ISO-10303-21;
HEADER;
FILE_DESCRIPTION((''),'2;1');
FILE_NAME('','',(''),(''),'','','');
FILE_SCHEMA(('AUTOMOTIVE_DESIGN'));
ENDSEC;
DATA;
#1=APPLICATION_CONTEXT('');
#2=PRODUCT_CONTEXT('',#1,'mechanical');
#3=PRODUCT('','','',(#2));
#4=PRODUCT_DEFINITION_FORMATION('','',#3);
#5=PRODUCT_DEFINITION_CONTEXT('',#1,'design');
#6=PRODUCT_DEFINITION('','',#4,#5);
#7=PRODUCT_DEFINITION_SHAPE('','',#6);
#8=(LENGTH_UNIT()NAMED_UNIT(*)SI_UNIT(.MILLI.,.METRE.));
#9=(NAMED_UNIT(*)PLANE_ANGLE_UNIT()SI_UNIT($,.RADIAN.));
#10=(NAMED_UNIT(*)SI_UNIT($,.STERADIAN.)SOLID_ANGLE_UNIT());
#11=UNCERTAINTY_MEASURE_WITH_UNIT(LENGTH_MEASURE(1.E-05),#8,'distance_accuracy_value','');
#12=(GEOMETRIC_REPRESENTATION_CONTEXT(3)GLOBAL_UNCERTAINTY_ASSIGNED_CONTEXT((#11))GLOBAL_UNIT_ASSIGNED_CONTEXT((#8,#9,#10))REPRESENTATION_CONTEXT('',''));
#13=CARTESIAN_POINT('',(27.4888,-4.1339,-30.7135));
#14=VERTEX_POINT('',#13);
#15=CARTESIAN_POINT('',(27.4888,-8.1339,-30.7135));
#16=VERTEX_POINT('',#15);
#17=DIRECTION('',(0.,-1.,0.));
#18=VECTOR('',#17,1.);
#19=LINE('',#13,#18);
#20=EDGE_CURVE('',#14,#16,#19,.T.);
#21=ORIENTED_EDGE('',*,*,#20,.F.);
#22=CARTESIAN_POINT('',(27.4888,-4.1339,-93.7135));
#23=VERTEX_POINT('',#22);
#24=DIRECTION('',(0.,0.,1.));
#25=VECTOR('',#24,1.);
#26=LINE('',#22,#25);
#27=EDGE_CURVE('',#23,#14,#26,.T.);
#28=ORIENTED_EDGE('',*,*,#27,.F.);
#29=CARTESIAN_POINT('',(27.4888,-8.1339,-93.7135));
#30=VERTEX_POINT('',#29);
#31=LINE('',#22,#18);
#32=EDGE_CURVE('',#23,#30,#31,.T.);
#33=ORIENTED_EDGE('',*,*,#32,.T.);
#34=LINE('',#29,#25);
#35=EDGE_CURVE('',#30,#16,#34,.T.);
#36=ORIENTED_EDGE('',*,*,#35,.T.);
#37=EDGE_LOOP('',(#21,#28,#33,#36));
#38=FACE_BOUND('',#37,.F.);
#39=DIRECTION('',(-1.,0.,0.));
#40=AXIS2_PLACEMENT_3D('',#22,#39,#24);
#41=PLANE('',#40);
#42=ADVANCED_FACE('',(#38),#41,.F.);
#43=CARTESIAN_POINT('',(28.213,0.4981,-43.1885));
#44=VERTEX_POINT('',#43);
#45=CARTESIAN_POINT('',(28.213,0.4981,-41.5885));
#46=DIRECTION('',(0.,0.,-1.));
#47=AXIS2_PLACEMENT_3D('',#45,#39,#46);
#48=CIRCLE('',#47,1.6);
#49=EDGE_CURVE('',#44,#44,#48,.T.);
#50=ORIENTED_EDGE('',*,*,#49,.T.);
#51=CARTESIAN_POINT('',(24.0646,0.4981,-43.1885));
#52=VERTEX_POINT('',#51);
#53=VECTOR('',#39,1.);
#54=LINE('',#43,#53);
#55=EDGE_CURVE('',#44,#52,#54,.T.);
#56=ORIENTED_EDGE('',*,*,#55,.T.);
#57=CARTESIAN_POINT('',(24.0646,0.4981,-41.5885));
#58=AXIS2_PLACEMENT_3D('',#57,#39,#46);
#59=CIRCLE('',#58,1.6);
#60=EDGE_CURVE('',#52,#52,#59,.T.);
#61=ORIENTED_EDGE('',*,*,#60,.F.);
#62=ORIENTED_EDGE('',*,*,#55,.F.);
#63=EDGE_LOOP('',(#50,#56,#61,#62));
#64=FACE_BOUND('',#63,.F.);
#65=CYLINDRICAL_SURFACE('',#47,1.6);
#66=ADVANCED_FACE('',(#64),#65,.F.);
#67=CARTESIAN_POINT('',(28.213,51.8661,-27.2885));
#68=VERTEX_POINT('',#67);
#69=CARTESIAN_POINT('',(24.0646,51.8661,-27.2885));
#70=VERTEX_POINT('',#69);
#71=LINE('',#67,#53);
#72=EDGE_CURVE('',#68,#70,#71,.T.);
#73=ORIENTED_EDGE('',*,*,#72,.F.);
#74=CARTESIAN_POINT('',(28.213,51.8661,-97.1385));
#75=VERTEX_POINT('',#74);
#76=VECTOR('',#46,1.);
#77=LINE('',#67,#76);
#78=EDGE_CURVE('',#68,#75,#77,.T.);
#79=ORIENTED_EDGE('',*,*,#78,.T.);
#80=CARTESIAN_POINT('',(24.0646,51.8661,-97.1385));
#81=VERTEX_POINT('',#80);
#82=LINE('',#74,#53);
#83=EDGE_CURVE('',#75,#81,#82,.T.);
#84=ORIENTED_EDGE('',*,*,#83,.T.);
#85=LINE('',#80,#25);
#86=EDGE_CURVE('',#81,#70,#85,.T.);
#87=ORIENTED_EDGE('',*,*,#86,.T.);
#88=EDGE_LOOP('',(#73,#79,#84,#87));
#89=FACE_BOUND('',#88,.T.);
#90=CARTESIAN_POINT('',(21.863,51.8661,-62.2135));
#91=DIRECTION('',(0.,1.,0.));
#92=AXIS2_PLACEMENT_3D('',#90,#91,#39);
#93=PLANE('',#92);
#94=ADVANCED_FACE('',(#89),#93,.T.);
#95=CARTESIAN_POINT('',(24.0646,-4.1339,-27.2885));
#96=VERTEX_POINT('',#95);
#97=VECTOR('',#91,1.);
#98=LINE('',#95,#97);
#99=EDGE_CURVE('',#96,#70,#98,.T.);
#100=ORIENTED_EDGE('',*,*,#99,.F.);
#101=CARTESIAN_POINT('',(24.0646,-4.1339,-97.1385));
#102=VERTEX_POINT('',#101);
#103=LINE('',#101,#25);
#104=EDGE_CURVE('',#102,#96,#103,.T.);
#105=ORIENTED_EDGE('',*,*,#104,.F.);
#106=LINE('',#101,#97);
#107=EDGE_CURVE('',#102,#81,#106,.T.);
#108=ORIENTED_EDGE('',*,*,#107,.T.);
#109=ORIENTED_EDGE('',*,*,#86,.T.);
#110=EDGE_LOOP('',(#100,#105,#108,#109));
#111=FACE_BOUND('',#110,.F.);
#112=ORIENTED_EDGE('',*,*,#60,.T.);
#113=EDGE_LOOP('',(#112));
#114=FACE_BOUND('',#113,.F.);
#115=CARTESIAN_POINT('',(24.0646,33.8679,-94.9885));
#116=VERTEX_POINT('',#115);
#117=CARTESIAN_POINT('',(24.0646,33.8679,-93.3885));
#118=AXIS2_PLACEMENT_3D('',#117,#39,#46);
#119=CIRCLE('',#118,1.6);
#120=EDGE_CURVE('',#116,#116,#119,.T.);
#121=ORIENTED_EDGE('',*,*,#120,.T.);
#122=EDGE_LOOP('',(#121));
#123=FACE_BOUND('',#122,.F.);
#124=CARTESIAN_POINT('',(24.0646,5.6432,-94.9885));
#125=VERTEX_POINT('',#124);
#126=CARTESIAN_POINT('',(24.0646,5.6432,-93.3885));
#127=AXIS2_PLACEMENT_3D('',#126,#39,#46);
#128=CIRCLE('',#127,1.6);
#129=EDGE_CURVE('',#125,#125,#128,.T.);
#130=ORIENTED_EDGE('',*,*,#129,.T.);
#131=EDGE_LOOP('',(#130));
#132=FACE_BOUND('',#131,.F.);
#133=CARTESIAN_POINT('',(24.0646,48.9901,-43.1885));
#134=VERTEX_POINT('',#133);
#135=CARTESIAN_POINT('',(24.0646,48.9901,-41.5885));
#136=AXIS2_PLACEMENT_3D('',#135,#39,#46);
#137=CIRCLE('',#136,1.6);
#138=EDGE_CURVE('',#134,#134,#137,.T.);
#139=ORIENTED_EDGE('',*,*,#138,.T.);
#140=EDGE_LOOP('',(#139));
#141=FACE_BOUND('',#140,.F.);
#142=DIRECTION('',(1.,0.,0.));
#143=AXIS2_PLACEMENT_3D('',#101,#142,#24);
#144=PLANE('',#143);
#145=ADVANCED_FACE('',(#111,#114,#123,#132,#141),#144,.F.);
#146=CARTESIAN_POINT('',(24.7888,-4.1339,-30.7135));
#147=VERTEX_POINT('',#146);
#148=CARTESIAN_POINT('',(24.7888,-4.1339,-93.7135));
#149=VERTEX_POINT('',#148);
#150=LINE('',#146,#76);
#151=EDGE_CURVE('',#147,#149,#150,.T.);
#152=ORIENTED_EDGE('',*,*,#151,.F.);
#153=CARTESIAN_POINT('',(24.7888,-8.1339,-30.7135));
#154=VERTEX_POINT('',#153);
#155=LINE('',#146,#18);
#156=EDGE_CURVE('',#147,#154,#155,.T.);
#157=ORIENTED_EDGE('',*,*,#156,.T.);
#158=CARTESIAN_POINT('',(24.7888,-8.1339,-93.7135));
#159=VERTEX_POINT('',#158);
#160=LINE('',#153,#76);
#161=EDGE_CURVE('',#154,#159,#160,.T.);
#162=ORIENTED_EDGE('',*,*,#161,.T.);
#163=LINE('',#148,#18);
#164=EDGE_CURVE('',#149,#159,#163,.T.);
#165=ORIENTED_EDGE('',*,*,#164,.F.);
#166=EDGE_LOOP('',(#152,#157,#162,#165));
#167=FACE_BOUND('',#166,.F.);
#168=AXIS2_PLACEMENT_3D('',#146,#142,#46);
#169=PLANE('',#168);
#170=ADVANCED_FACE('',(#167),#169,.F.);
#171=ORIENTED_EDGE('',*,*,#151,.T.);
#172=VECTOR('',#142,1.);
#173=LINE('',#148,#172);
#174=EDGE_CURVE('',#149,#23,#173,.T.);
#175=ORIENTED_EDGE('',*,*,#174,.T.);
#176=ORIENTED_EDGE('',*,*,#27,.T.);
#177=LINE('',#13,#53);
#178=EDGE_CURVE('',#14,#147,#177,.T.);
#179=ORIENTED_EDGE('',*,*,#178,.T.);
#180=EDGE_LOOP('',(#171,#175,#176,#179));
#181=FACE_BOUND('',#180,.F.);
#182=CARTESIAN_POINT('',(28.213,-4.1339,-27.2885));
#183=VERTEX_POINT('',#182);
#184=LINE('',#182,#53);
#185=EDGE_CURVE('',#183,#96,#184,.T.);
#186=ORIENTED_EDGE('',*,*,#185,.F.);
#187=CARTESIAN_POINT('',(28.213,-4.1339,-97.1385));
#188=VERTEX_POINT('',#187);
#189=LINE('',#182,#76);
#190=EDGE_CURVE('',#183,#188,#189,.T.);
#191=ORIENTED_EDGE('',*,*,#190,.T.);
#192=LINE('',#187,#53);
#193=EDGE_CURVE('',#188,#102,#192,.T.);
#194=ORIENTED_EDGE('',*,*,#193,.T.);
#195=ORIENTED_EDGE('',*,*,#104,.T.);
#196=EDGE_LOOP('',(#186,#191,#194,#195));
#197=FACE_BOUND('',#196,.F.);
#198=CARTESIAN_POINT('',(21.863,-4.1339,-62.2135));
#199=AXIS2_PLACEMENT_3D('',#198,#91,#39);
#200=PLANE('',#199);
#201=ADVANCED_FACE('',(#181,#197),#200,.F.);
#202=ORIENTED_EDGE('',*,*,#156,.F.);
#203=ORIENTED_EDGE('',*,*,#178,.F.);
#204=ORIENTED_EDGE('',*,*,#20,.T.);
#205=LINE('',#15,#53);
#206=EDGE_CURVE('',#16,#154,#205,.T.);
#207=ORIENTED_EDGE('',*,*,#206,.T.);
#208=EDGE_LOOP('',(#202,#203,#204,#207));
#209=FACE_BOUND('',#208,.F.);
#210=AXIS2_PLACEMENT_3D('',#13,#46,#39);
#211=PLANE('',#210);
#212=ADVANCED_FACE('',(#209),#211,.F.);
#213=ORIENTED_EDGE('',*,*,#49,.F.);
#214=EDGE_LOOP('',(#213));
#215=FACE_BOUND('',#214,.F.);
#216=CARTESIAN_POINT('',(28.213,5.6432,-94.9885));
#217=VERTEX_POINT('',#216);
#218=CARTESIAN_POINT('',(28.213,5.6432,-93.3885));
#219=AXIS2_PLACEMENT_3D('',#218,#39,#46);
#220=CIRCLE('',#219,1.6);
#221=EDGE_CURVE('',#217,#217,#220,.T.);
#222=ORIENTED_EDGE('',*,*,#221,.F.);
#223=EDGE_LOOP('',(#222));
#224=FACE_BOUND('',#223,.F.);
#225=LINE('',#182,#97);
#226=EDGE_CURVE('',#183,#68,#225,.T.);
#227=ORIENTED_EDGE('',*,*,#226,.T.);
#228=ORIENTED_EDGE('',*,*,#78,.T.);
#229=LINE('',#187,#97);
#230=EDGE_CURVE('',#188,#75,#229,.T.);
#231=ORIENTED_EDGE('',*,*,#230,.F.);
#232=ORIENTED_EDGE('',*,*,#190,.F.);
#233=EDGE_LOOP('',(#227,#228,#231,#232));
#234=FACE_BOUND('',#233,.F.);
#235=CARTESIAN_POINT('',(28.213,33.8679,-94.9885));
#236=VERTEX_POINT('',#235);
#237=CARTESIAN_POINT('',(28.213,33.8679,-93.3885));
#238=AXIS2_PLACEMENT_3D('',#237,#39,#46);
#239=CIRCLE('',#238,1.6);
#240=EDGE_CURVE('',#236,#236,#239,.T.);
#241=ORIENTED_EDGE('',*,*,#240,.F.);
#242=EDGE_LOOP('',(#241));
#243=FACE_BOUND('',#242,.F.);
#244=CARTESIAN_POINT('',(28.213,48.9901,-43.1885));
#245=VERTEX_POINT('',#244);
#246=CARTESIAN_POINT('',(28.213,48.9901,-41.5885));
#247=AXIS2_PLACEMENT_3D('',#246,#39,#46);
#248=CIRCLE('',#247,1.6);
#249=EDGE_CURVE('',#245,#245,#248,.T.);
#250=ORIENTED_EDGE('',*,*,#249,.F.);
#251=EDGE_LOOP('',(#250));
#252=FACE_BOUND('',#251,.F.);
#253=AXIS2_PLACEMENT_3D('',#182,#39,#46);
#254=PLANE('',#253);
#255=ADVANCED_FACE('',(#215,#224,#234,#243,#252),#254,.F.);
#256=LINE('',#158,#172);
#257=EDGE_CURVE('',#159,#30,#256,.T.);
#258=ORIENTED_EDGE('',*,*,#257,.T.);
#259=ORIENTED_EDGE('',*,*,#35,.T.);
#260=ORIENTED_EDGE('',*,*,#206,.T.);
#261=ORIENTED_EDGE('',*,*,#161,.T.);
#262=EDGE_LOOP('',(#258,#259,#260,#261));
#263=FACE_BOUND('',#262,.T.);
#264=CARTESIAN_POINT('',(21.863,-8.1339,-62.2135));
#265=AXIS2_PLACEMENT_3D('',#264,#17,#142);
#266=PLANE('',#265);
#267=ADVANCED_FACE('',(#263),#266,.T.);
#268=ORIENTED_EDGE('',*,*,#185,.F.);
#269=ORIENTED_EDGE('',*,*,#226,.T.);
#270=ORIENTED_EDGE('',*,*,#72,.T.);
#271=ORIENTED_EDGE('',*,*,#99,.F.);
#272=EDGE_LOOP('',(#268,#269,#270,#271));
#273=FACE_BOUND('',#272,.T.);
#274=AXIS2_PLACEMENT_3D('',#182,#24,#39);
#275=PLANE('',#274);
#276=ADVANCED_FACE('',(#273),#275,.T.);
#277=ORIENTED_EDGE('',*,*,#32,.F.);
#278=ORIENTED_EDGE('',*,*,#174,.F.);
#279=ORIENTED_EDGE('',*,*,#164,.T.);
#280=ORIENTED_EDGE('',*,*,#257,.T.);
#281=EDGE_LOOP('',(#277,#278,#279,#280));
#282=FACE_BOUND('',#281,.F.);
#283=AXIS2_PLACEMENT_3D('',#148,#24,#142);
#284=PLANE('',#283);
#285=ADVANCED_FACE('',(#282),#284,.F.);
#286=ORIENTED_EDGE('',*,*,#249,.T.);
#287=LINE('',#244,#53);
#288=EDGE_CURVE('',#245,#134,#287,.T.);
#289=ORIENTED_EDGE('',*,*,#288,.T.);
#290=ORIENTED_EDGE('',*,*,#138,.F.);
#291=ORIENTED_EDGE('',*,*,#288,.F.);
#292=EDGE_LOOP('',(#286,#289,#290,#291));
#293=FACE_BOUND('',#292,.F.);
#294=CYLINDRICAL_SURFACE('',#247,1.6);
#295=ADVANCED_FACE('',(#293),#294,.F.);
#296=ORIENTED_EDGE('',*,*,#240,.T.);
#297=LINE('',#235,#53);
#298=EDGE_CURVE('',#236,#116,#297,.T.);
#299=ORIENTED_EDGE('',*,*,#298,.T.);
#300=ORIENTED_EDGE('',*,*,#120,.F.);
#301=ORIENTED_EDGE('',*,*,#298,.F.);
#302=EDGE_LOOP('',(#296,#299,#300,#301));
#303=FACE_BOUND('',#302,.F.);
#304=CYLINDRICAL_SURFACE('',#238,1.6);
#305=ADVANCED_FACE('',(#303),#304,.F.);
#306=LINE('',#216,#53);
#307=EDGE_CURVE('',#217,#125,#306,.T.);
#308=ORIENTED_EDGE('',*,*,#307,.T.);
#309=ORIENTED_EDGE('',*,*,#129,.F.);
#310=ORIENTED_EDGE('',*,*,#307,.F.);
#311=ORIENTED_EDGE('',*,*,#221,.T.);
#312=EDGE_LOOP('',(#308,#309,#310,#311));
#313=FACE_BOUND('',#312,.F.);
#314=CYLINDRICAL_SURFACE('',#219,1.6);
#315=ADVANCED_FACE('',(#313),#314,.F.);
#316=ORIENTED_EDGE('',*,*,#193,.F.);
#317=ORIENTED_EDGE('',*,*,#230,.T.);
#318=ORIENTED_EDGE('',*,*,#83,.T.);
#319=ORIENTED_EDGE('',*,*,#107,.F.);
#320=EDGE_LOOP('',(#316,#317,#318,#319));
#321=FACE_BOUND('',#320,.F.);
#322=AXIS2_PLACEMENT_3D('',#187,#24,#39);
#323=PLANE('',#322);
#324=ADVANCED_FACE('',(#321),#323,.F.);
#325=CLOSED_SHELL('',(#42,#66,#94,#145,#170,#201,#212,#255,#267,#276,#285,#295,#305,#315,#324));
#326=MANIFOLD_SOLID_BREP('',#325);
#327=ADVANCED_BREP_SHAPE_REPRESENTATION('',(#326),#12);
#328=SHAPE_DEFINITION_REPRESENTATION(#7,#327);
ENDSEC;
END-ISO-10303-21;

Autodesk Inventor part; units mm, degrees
ref_plane "YZ Plane" through (0, 0, 0) normal (1, 0, 0) x (0, 1, 0)
ref_plane "XZ Plane" through (0, 0, 0) normal (0, 1, 0) x (-1, 0, 0)
ref_plane "Work Plane1" through (21.863, -4.1339, -62.2135) normal (0, 1, 0) x (-1, 0, 0)
sketch "Sketch1" plane through (21.863, -4.1339, -62.2135) normal (0, 1, 0) x (-1, 0, 0)
  line L0 (-6.35, 34.925) -> (-6.35, -34.925) construction
  line L1 (-6.35, -34.925) -> (33.3375, -34.925) construction
  line L2 (33.3375, -34.925) -> (33.3375, 34.925) construction
  line L3 (33.3375, 34.925) -> (-6.35, 34.925) construction
  line L4 (-6.35, 34.925) -> (-6.35, -34.925)
  line L5 (-2.2016, -34.925) -> (-2.2016, 34.925)
  line L6 (-6.35, -34.925) -> (-2.2016, -34.925)
  line L7 (-6.35, 34.925) -> (-2.2016, 34.925)
  point P0 (21.863, 62.2135)
extrude "Extrusion1" add sketch "Sketch1" along normal blind 56
sketch "Sketch3" plane through (21.863, -4.1339, -62.2135) normal (0, -1, 0) x (1, 0, 0)
  line L0 (6.35, 34.925) -> (2.2016, 34.925)
  line L1 (2.2016, 34.925) -> (2.2016, -34.925)
  line L2 (2.2016, -34.925) -> (6.35, -34.925)
  line L3 (6.35, -34.925) -> (6.35, 34.925)
  line L4 (6.35, 34.925) -> (6.35, -34.925) construction
  line L5 (6.35, 0) -> (2.2016, 0) construction
  line L6 (2.2016, 34.925) -> (6.35, 34.925) construction
  line L7 (4.2758, 34.925) -> (4.2758, -34.925) construction
  line L8 (5.6258, 31.5) -> (2.9258, 31.5) construction
  line L9 (2.9258, 31.5) -> (2.9258, -31.5) construction
  line L10 (2.9258, -31.5) -> (5.6258, -31.5) construction
  line L11 (5.6258, -31.5) -> (5.6258, 31.5) construction
  line L12 (5.6258, 31.5) -> (2.9258, 31.5)
  line L13 (2.9258, 31.5) -> (2.9258, -31.5)
  line L14 (2.9258, -31.5) -> (5.6258, -31.5)
  line L15 (5.6258, -31.5) -> (5.6258, 31.5)
  line L16 (4.2758, 31.5) -> (4.2758, -31.5) construction
  line L17 (5.6258, 0) -> (2.9258, 0) construction
  point P0 (-21.863, 62.2135)
  point P1 (4.2758, 0)
  dimension "d14" = 2.7
  dimension "d15" = 63
extrude "Extrusion2" add sketch "Sketch3" along normal blind 4 contours L15 L14 L13 L12
sketch "Sketch4" plane through (28.213, -4.1339, -27.2885) normal (1, 0, 0) x (0, 0, -1)
  circle A0 centre (14.3, 53.124) radius 1.6
  circle A1 centre (14.3, 4.632) radius 1.6
  line L0 (66.1, 7.0031) -> (66.1, 9.7771) construction
  circle A2 centre (66.1, 9.7771) radius 1.6
  circle A3 centre (66.1, 38.0018) radius 1.6
  point P0 (-27.2885, 4.1339)
  dimension "d20" = 3.2
  dimension "d22" = 3.2
  dimension "d24" = 2.774
  dimension "d25" = 3.2
  dimension "d27" = 3.2
hole "Hole2" at (28.213, 48.9901, -41.5885) at (28.213, 0.4981, -41.5885) at (28.213, 5.6432, -93.3885) at (28.213, 33.8679, -93.3885) direction (-1, 0, 0) diameter 3.2 end through all
properties part number "controller_case"
